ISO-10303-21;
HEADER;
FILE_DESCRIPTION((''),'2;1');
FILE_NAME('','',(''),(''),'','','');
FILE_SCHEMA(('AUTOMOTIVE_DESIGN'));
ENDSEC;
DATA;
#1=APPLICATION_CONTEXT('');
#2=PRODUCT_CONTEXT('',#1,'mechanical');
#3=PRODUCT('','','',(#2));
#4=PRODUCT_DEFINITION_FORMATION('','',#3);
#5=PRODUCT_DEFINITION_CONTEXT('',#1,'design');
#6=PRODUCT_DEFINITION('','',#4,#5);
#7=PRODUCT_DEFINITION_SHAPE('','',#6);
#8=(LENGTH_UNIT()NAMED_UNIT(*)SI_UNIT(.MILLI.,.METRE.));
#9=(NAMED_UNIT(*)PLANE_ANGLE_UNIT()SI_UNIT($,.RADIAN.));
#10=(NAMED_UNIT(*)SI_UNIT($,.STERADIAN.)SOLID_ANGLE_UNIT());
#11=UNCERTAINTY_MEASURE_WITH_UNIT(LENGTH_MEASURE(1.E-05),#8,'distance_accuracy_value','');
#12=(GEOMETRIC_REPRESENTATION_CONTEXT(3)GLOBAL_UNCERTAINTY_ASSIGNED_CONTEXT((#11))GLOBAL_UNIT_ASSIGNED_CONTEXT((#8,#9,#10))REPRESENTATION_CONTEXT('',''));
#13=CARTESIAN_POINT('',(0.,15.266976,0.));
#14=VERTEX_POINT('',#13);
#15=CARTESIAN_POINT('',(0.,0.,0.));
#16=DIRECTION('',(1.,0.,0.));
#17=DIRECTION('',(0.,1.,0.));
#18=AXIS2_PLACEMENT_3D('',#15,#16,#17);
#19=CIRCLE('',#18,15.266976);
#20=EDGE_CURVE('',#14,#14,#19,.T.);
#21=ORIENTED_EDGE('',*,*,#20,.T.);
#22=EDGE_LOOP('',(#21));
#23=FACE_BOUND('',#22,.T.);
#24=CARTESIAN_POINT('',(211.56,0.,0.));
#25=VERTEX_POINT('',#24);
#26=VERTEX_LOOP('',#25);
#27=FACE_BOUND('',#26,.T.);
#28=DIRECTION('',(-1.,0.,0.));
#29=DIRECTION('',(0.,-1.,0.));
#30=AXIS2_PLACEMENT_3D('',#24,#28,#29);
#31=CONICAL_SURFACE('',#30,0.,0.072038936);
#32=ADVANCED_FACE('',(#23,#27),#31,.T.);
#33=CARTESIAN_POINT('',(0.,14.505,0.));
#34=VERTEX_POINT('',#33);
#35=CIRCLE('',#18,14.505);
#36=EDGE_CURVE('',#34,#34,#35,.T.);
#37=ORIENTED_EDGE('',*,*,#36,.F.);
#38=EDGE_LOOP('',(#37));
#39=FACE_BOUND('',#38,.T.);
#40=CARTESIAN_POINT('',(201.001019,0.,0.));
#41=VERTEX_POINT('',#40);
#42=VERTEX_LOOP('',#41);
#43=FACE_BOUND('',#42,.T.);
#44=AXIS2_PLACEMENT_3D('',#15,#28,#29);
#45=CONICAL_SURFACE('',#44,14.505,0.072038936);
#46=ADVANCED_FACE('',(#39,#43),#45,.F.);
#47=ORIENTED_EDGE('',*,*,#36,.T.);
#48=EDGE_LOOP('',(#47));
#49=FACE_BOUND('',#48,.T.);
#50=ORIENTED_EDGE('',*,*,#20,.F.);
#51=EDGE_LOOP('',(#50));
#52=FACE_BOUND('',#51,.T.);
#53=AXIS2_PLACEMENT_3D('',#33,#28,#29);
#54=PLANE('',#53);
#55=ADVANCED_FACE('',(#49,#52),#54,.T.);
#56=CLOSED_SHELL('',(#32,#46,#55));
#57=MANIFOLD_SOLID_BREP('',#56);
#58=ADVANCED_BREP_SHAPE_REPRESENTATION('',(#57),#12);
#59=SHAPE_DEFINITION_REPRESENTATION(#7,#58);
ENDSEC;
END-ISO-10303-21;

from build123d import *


with BuildPart() as part:
    # Sketch1 → Revolve1 (revolve)
    with BuildSketch(Plane.XY):
        Polygon((0, 14.505), (0, 15.266976324), (211.56, 0), (201.001019114, 0), align=None)
    revolve(axis=Axis((217.714500064, 0, 0), (-1, 0, 0)))


solid = part.part
